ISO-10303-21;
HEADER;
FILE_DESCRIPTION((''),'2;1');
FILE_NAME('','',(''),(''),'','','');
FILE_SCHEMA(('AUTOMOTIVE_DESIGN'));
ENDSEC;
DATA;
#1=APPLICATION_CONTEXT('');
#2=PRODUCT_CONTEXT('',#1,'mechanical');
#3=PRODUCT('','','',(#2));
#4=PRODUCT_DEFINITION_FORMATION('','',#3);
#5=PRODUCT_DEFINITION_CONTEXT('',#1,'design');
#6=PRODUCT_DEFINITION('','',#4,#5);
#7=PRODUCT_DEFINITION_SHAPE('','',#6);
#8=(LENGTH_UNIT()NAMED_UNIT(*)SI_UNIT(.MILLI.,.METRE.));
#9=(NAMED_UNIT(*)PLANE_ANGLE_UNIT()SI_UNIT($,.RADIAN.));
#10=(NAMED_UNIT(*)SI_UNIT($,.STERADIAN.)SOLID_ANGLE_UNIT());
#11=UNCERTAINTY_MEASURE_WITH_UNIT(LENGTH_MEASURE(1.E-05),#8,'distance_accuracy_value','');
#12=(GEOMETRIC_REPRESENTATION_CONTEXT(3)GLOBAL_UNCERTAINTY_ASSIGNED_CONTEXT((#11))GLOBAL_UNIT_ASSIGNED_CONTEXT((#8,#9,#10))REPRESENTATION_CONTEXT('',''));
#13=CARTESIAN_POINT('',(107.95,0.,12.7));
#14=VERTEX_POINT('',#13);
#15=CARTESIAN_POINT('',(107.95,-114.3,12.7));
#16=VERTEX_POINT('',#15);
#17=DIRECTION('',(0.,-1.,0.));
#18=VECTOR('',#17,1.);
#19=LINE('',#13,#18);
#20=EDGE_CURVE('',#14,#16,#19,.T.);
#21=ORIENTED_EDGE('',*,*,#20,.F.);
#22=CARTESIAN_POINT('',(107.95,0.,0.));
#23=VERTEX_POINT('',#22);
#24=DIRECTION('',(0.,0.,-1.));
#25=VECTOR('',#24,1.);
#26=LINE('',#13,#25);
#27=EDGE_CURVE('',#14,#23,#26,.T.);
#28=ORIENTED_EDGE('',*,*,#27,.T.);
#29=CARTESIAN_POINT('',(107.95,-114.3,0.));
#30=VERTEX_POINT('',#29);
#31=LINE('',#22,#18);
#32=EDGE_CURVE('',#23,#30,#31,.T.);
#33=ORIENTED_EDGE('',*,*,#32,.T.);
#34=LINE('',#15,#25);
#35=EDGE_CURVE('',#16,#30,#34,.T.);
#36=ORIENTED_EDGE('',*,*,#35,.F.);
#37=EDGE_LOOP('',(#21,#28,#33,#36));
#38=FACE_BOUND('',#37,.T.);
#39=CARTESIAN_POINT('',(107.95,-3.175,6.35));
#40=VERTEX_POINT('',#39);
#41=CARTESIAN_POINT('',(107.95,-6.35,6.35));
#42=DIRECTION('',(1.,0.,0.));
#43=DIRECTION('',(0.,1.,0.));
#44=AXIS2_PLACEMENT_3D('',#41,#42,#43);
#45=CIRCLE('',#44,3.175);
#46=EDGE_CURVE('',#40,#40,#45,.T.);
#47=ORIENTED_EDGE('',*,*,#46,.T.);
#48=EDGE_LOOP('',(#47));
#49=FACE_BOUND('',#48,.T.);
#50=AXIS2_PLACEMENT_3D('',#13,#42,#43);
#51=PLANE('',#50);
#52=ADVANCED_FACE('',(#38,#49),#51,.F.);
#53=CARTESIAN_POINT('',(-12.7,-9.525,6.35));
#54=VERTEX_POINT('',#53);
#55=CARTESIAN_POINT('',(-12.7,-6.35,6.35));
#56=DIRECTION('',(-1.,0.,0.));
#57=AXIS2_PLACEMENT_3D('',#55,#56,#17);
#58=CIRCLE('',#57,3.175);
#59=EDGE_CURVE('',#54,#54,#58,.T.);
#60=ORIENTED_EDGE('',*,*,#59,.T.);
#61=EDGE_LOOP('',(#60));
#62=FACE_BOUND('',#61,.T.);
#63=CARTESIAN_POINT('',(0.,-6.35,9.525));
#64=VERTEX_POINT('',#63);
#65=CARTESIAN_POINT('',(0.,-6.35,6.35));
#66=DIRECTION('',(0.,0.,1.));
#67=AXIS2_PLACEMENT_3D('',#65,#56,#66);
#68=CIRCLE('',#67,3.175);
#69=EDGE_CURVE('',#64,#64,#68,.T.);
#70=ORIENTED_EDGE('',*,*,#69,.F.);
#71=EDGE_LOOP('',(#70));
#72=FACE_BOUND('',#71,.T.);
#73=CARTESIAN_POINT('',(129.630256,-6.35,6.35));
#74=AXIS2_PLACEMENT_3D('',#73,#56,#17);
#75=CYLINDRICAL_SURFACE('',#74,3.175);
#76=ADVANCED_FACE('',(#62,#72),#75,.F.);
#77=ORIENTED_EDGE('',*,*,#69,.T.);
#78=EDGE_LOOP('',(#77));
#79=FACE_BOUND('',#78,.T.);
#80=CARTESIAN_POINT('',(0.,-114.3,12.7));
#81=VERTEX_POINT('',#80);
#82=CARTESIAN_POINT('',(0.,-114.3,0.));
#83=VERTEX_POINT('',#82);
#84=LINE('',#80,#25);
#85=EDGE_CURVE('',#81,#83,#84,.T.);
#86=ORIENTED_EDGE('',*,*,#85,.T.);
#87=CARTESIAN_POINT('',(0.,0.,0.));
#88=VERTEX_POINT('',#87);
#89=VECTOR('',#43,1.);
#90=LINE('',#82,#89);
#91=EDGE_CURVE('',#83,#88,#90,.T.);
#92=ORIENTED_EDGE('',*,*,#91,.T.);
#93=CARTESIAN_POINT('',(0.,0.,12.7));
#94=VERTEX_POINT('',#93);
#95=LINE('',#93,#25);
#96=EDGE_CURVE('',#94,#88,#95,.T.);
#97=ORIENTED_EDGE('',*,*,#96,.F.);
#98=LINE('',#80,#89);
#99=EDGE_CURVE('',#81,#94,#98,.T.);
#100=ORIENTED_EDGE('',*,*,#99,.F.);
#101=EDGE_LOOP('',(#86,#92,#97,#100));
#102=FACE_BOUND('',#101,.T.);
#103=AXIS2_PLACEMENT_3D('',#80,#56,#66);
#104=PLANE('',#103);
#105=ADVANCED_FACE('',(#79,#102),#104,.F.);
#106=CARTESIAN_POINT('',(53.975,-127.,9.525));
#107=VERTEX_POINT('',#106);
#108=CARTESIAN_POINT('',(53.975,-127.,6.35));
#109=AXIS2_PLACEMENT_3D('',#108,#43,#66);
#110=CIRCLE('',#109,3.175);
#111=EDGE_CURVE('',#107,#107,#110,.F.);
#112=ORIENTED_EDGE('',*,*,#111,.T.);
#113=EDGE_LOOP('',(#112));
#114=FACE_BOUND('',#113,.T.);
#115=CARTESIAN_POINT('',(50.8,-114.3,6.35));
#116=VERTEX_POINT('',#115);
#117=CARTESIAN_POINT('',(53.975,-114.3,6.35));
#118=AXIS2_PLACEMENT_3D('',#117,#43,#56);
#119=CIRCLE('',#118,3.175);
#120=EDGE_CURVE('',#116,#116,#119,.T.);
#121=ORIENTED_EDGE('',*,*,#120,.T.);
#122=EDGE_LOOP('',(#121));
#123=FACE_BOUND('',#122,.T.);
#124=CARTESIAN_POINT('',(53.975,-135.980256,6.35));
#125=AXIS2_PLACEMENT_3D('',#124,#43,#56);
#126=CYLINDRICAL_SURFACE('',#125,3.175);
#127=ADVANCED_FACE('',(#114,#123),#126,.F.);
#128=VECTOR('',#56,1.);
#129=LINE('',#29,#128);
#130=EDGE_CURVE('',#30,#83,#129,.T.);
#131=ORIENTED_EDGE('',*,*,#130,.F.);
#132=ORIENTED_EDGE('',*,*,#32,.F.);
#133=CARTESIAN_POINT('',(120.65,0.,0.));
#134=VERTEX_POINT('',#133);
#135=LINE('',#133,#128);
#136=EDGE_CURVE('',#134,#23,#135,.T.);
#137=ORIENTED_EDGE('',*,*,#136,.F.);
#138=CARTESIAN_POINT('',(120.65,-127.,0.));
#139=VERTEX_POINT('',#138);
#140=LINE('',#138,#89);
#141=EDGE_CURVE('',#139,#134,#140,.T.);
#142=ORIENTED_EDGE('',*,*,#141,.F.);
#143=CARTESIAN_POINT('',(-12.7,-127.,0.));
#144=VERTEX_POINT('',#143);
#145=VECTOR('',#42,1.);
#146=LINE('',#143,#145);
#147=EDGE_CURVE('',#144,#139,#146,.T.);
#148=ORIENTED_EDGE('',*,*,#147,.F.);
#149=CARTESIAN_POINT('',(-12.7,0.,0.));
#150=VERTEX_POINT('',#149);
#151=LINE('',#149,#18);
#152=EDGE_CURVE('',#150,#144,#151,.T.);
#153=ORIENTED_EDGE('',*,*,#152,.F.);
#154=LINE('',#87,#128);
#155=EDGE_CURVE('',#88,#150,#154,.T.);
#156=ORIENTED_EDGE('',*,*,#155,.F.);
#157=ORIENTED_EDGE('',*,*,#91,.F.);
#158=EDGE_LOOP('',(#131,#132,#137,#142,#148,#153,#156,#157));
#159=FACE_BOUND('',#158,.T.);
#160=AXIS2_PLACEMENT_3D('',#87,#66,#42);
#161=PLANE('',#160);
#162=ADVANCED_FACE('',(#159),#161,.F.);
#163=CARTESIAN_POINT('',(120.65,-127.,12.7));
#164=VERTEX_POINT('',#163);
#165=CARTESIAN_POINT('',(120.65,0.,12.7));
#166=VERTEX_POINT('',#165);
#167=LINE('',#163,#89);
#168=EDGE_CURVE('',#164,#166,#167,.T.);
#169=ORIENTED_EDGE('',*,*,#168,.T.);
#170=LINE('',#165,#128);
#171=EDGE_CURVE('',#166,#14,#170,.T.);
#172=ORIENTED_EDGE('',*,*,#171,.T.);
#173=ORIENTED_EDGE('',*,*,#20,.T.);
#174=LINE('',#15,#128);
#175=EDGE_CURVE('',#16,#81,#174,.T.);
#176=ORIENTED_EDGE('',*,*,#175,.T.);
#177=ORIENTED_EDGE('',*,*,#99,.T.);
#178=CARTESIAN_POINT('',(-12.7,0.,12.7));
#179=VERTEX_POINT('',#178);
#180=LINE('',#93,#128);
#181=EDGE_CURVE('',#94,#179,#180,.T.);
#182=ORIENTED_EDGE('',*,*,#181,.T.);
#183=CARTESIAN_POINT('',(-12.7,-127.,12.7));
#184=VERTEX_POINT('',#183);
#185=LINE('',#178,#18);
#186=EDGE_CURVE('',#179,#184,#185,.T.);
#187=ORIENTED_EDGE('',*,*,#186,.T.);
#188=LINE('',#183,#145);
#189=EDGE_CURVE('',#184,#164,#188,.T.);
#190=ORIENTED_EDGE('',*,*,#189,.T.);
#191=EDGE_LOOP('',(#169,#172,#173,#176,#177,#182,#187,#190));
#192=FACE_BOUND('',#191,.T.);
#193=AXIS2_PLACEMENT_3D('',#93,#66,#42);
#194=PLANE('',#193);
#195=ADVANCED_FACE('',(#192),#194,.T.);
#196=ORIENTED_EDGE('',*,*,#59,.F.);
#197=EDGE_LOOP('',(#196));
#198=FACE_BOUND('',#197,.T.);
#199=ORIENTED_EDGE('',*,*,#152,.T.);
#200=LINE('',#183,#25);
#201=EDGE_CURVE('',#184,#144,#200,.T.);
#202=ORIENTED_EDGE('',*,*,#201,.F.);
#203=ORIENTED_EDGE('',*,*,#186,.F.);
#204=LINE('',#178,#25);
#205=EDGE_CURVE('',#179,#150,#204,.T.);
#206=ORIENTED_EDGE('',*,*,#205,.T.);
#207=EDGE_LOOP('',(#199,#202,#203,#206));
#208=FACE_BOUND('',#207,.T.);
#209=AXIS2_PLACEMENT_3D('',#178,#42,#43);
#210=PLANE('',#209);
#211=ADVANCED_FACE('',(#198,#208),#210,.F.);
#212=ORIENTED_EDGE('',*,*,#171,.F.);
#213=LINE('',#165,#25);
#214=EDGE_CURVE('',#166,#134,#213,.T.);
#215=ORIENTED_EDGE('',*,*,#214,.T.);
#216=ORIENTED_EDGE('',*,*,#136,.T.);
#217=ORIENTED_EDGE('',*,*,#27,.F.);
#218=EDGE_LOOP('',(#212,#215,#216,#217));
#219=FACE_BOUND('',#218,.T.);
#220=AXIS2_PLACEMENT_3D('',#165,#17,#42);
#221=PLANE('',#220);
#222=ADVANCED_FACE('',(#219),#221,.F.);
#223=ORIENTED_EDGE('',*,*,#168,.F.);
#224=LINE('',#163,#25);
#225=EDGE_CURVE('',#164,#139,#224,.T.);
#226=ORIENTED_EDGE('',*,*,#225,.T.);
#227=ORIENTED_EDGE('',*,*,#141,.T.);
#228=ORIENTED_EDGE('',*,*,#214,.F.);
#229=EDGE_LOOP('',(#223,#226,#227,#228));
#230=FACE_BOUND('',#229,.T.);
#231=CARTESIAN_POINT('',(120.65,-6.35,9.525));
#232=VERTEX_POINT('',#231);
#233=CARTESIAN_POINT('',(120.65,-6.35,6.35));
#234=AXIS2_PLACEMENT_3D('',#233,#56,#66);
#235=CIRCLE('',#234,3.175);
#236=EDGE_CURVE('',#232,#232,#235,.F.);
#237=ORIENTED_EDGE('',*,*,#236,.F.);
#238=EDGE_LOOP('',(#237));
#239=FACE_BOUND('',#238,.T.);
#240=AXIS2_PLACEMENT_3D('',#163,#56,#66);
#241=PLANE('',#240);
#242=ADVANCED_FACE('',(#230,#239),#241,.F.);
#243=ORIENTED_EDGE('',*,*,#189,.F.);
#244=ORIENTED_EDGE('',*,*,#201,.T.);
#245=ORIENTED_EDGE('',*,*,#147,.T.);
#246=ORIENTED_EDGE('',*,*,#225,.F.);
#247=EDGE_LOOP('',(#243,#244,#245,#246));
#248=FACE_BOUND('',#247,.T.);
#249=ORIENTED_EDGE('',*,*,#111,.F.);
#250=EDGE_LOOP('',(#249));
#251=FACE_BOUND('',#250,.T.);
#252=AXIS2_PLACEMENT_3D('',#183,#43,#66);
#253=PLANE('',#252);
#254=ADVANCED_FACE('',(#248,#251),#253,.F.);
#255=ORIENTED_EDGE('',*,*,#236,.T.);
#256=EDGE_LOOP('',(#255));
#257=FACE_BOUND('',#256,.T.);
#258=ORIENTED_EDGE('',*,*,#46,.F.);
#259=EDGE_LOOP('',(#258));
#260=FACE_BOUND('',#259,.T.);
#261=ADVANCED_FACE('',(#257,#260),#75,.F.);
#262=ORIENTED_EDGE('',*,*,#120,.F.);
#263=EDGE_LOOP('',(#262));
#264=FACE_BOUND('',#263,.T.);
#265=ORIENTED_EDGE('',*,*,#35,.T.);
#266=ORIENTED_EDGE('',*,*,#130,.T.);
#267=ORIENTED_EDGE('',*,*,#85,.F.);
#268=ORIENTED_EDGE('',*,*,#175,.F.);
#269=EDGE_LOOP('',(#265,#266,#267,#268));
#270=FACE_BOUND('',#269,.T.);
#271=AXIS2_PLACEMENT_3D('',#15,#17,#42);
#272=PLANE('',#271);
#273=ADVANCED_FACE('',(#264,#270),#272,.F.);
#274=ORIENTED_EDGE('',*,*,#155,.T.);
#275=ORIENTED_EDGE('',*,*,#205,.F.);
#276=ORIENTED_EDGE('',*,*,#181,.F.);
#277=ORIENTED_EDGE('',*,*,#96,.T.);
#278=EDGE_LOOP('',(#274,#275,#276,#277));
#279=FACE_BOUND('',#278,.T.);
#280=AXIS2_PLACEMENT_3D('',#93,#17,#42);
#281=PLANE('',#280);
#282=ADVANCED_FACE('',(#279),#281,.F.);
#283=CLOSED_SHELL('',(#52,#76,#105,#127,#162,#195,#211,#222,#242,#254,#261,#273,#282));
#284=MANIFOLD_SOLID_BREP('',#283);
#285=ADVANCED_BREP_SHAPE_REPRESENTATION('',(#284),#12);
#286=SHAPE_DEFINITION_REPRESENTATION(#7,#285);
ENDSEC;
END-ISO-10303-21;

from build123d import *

# Parameters (mm, degrees)
BOSS_EXTRUDE1_DEPTH = 12.7
CUT_EXTRUDE1_REACH  = 186.587
SKETCH2_R           = 3.175
SKETCH3_R           = 3.175
CUT_EXTRUDE2_DEPTH  = 12.7


with BuildPart() as part:
    # Sketch1 → Boss-Extrude1 (new body)
    with BuildSketch(Plane.XY):
        Polygon((0, 0), (-12.7, 0), (-12.7, -127), (120.65, -127), (120.65, 0), (107.95, 0), (107.95, -114.3), (0, -114.3), align=None)
    extrude(amount=BOSS_EXTRUDE1_DEPTH)

    # Cut-Extrude1: up to this face of the body (flat: up to its plane)
    cut_extrude1_end = Plane(part.part.faces().sort_by_distance((120.65, -63.5, 6.35))[0])
    # Sketch2 → Cut-Extrude1 (cut, up to the picked face)
    with BuildSketch(Plane.ZY.offset(12.7), mode=Mode.PRIVATE) as cut_extrude1_sk1:
        with Locations(Location((6.35, -6.35, 0), (0, 0, 270))):
            Circle(SKETCH2_R)
    cut_extrude1_tool1 = split(extrude(cut_extrude1_sk1.sketch, amount=-CUT_EXTRUDE1_REACH, mode=Mode.PRIVATE), bisect_by=cut_extrude1_end, keep=Keep.BOTH, mode=Mode.PRIVATE)
    add(cut_extrude1_tool1.solids().sort_by(Axis((-12.7, -6.35, 6.35), (1, 0, 0)))[0], mode=Mode.SUBTRACT)

    # Sketch3 → Cut-Extrude2 (cut)
    with BuildSketch(Plane(origin=(0, -114.3, 0), x_dir=(1, 0, 0), z_dir=(0, 1, 0))):
        with Locations(Location((53.975, -6.35, 0), (0, 0, 180))):
            Circle(SKETCH3_R)
    extrude(amount=-CUT_EXTRUDE2_DEPTH, mode=Mode.SUBTRACT)


solid = part.part
